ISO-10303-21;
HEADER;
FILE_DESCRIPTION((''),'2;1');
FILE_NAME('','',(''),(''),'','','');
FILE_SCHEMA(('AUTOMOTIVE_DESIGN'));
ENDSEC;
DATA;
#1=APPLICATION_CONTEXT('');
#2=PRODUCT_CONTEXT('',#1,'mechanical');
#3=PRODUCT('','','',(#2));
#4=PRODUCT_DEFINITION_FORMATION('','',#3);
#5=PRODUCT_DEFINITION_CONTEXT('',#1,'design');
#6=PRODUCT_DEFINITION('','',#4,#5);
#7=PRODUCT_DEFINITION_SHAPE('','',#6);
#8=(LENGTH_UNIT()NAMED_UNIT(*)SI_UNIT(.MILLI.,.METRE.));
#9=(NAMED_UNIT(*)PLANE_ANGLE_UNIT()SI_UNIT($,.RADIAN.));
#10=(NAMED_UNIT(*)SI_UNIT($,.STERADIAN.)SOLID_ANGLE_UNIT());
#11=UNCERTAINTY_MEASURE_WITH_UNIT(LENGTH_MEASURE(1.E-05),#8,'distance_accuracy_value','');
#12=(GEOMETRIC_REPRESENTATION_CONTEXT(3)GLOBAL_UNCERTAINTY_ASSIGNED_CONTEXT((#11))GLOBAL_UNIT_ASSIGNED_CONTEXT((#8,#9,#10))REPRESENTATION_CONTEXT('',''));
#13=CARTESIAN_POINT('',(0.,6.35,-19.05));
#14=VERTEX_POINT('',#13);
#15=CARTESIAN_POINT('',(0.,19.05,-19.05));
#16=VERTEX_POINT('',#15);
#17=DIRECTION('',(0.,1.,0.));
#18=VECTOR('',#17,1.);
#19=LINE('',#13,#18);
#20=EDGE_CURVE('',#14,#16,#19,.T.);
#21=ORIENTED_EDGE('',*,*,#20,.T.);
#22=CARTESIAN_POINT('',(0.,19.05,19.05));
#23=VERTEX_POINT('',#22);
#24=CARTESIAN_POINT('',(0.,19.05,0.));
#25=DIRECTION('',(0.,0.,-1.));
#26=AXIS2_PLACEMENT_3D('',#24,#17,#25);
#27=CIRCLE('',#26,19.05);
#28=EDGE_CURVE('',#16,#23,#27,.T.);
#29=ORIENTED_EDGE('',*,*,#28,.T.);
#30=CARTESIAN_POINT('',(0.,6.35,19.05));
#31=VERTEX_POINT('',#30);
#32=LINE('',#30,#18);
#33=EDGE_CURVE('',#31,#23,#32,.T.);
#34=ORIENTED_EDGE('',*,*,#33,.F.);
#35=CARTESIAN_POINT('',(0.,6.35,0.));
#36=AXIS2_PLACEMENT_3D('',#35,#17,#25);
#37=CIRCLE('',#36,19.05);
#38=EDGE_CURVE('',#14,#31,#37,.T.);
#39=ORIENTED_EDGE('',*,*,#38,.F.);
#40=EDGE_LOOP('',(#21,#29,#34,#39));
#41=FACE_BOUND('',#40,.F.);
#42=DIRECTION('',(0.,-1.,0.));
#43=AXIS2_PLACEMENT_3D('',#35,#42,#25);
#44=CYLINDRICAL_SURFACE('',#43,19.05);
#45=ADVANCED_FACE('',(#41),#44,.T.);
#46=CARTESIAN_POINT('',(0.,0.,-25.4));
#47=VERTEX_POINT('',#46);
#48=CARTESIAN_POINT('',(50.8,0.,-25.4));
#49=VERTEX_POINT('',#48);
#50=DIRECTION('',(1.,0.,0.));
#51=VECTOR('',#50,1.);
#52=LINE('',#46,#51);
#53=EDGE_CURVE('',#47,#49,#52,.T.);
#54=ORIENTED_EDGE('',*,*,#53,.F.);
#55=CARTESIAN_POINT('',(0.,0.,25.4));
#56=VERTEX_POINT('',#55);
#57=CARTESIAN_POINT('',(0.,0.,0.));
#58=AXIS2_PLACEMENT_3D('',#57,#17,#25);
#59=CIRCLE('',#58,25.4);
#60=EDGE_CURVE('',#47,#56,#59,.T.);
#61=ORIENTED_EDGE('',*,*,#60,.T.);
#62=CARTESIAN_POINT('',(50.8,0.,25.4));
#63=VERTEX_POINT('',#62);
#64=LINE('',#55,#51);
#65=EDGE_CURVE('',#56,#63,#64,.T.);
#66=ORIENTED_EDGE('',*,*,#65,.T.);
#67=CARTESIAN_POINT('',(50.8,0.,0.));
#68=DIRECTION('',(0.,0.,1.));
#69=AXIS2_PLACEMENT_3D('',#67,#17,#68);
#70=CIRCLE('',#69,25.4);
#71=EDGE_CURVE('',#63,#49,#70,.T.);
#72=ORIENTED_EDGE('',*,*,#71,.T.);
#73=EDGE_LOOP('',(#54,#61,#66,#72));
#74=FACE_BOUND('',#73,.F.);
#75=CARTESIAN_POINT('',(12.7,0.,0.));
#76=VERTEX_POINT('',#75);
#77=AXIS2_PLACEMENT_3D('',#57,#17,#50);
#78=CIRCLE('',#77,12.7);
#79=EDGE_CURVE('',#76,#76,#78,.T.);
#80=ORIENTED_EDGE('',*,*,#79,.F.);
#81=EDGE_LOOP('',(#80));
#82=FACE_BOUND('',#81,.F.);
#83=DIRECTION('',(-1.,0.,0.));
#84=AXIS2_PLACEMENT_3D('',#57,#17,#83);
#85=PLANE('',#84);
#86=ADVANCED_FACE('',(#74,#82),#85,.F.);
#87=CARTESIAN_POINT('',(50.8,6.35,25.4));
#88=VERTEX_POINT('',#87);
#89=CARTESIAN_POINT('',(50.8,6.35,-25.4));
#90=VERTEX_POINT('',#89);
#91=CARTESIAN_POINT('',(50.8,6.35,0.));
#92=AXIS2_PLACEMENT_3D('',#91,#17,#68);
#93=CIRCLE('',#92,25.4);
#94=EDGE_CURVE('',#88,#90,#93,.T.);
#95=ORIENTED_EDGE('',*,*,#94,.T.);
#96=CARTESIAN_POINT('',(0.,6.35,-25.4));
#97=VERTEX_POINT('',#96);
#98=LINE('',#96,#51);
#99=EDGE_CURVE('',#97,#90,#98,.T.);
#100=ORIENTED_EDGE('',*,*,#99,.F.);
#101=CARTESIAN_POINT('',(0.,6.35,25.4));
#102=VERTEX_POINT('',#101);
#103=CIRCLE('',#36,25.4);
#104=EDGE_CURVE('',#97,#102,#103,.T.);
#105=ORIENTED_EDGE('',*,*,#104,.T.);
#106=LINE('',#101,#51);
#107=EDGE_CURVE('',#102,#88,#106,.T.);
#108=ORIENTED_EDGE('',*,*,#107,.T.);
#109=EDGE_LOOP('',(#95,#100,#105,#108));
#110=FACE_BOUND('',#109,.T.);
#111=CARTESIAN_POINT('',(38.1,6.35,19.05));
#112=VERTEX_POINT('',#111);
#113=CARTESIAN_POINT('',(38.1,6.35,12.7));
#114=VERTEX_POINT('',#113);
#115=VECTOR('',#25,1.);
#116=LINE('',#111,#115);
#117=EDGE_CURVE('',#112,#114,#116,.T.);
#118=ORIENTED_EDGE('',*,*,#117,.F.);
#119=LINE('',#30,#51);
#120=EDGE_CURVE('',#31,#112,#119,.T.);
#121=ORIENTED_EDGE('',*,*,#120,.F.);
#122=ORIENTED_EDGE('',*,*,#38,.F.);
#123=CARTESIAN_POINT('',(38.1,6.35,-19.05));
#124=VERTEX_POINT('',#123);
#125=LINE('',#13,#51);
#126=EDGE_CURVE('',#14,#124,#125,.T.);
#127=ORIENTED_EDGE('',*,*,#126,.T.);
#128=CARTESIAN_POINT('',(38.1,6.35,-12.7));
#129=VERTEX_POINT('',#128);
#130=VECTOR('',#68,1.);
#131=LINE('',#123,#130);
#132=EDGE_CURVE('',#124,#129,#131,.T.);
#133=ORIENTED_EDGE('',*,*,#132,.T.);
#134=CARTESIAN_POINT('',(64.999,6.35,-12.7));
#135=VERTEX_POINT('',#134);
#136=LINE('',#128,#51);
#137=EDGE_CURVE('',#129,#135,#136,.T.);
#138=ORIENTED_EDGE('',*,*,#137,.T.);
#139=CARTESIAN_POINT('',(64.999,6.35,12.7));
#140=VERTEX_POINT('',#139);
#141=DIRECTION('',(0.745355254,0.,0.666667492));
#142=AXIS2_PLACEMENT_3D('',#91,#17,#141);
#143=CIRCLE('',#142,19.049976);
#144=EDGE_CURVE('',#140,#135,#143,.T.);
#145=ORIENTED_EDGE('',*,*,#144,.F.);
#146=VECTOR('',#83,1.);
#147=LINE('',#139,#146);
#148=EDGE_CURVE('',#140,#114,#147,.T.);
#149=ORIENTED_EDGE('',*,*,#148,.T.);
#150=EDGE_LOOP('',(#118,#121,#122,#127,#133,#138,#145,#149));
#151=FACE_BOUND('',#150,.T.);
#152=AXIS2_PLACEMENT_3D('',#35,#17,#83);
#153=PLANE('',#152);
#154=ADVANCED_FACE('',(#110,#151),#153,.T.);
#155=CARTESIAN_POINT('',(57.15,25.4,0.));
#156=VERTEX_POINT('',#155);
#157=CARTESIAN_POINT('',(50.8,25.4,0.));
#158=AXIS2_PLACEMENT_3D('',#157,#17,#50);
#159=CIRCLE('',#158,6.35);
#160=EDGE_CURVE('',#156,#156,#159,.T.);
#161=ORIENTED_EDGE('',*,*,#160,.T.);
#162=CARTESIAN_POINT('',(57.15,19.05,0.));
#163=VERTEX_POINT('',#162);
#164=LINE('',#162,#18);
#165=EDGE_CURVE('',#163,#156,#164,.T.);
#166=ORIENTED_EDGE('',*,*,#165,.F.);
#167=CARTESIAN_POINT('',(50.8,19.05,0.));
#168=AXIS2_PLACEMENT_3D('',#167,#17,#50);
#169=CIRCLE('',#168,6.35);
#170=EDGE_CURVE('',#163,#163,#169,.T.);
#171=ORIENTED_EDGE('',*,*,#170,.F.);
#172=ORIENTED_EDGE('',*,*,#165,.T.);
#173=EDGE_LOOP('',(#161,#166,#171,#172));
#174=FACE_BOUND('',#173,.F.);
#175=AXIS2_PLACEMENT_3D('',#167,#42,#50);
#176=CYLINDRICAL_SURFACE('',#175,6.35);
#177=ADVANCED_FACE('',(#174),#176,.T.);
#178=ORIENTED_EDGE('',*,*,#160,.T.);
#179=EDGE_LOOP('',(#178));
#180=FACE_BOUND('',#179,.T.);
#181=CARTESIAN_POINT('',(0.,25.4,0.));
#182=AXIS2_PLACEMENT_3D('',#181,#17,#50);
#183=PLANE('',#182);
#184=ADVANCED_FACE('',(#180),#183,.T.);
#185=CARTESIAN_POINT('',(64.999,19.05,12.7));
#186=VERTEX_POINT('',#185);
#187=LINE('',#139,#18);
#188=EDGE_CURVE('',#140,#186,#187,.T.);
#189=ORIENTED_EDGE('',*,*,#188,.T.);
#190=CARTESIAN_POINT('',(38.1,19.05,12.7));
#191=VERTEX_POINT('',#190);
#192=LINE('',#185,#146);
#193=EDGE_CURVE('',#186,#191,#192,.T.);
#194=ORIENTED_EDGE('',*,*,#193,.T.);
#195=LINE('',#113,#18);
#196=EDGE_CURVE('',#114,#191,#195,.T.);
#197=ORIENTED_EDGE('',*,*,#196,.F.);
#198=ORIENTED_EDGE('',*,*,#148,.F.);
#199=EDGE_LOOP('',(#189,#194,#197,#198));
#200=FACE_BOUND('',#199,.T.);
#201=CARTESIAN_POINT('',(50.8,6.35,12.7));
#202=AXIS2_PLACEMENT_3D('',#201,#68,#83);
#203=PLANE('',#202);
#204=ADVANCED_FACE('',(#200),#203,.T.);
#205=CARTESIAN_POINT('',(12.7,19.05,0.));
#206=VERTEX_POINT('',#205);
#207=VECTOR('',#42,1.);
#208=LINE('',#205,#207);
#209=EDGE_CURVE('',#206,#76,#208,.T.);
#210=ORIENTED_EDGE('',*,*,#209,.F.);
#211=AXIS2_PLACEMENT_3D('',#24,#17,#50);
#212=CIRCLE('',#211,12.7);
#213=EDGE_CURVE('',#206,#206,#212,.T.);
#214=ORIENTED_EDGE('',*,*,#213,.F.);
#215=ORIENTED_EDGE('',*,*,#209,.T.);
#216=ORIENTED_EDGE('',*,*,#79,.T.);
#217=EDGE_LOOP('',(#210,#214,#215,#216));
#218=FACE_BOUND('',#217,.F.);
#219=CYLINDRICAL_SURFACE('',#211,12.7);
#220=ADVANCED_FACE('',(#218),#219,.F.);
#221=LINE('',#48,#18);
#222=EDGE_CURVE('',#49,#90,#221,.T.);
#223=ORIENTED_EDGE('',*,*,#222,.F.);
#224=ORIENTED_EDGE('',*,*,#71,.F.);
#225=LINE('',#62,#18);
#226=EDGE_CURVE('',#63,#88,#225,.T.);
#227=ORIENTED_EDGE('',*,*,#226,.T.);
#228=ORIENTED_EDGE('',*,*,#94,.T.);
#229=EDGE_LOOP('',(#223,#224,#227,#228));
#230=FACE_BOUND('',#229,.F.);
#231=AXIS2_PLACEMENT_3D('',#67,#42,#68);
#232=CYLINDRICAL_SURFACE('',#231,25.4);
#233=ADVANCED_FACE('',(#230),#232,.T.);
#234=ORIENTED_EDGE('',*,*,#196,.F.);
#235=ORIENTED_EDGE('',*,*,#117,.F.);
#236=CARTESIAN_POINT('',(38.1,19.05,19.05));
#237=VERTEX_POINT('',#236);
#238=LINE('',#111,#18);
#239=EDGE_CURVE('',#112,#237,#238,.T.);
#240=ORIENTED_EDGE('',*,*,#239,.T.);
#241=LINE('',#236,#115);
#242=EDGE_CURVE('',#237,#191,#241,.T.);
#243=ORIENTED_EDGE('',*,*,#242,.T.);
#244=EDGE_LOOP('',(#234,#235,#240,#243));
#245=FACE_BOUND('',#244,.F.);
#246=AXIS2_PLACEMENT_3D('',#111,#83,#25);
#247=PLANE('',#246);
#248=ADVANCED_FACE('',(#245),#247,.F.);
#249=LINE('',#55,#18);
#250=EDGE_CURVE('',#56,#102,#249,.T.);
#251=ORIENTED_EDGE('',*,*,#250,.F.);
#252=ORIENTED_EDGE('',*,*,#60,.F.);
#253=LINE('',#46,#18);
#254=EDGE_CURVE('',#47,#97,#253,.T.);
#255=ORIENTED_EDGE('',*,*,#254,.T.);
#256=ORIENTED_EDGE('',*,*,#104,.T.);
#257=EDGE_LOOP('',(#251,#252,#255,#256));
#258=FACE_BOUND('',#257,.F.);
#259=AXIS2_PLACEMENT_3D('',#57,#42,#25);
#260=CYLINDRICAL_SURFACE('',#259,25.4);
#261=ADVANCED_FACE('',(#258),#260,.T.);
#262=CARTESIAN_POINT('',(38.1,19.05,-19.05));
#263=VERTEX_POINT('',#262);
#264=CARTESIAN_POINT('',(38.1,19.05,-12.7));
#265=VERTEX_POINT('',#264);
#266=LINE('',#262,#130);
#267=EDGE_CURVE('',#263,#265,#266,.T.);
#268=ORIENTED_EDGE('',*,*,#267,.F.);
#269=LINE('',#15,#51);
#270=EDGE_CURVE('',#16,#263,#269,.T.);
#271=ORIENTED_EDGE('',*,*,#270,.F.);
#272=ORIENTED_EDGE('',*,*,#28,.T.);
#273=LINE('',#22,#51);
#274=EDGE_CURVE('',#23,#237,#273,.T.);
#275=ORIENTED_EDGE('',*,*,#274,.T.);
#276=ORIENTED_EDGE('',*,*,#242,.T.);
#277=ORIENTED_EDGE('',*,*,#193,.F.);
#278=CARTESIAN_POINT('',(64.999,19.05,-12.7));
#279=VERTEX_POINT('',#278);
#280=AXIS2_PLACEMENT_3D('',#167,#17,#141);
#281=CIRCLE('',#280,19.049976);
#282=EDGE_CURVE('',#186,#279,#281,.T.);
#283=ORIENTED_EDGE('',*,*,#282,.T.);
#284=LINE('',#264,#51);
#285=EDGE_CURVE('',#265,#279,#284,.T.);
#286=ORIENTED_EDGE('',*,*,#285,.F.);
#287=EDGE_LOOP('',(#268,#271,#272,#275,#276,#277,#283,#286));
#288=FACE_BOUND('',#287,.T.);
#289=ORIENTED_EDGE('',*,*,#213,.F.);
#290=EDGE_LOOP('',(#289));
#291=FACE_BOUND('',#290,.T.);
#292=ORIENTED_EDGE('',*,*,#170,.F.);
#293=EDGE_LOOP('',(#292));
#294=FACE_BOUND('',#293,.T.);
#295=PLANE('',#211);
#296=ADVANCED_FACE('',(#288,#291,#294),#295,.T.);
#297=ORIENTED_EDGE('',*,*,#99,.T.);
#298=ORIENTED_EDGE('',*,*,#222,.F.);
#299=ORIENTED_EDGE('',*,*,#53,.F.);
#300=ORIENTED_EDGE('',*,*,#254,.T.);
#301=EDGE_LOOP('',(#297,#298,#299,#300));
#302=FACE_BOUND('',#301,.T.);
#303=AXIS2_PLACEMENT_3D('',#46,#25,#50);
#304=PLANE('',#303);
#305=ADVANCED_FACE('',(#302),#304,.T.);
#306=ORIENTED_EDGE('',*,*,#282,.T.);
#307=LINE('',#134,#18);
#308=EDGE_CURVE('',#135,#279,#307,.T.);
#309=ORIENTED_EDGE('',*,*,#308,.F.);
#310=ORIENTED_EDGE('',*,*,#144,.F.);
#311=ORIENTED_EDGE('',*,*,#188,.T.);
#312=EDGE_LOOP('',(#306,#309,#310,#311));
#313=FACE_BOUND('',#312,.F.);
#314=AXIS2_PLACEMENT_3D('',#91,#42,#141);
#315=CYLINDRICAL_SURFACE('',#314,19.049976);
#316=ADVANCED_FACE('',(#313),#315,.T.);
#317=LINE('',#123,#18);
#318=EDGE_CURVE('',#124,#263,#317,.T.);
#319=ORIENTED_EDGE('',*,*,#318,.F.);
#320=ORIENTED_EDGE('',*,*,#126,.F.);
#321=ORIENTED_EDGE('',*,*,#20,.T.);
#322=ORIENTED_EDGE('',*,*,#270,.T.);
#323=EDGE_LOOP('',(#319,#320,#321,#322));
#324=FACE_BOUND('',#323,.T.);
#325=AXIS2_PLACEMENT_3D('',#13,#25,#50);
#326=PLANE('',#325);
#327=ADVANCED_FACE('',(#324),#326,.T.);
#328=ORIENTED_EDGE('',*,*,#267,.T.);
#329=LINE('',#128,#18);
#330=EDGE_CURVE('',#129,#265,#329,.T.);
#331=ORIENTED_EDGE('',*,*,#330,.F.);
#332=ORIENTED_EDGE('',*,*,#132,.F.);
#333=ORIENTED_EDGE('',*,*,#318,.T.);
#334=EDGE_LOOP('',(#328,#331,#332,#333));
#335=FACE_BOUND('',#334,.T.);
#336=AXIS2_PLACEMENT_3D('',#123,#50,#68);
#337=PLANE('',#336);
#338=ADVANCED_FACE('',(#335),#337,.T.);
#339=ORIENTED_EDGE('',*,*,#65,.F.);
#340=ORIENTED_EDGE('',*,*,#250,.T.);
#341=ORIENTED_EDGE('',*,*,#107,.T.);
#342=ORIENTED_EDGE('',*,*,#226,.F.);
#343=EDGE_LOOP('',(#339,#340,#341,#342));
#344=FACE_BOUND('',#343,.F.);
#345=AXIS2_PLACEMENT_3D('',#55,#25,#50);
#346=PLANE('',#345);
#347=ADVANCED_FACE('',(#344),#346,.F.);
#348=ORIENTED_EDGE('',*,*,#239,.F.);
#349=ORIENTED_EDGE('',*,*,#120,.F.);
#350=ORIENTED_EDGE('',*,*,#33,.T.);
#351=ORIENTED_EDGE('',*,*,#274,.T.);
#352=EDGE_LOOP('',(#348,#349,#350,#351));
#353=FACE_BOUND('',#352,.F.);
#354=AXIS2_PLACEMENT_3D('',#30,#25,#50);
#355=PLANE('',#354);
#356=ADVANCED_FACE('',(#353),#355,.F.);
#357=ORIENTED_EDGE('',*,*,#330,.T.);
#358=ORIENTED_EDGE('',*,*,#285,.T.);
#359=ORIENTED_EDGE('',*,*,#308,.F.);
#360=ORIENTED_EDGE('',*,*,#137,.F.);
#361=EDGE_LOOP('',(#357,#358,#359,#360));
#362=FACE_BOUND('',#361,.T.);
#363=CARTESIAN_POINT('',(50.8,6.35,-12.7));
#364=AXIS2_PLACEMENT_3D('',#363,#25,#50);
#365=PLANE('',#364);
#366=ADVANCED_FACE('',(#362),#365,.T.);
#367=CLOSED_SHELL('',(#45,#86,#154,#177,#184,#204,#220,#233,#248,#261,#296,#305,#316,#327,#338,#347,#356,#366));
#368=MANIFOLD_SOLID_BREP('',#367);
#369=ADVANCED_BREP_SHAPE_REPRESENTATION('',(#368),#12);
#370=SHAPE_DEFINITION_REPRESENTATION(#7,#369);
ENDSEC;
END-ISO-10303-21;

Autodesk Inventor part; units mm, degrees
ref_plane "YZ Plane" through (0, 0, 0) normal (1, 0, 0) x (0, 1, 0)
ref_plane "XZ Plane" through (0, 0, 0) normal (0, 1, 0) x (-1, 0, 0)
ref_plane "XY Plane" through (0, 0, 0) normal (0, 0, 1) x (1, 0, 0)
sketch "Sketch1" plane through (0, 0, 0) normal (0, 1, 0) x (-1, 0, 0)
  arc A0 (0, -25.4) -> (0, 25.4) centre (0, 0) ccw
  arc A1 (-50.8, 25.4) -> (-50.8, -25.4) centre (-50.8, 0) ccw
  line L0 (0, 25.4) -> (-50.8, 25.4)
  line L1 (0, -25.4) -> (-50.8, -25.4)
  dimension "d0" = 50.8
extrude "Extrusion1" add sketch "Sketch1" along normal blind 6.35
sketch "Sketch2" plane through (0, 6.35, 0) normal (0, 1, 0) x (1, 0, 0)
  arc A0 (0, 19.05) -> (0, -19.05) centre (0, 0) ccw
  line L0 (0, 19.05) -> (38.1, 19.05)
  line L1 (0, -19.05) -> (38.1, -19.05)
  arc A1 (50.8, -25.4) -> (50.8, 25.4) centre (50.8, 0) ccw projected
  arc A2 (64.999, -12.7) -> (64.999, 12.7) centre (50.8, 0) ccw
  line L2 (50.8, 12.7) -> (64.999, 12.7)
  line L3 (50.8, -12.7) -> (64.999, -12.7)
  line L4 (50.8, -12.7) -> (38.1, -12.7)
  line L5 (50.8, 12.7) -> (38.1, 12.7)
  line L6 (38.1, 19.05) -> (38.1, 12.7)
  line L7 (38.1, -19.05) -> (38.1, -12.7)
  dimension "d6" = 38.1
  dimension "d7" = 38.1
extrude "Extrusion2" add sketch "Sketch2" along normal blind 12.7
sketch "Sketch3" plane through (0, 19.05, 0) normal (0, 1, 0) x (1, 0, 0)
  circle A0 centre (0, 0) radius 12.7
  dimension "d13" = 25.4
extrude "Extrusion3" cut sketch "Sketch3" against normal blind 25.4
sketch "Sketch4" plane through (0, 19.05, 0) normal (0, 1, 0) x (1, 0, 0)
  arc A0 (64.999, -12.7) -> (64.999, 12.7) centre (50.8, 0) ccw projected
  circle A1 centre (50.8, 0) radius 6.35
  point P0 (0, 0)
  dimension "d16" = 12.7
extrude "Extrusion4" add sketch "Sketch4" along normal blind 6.35
